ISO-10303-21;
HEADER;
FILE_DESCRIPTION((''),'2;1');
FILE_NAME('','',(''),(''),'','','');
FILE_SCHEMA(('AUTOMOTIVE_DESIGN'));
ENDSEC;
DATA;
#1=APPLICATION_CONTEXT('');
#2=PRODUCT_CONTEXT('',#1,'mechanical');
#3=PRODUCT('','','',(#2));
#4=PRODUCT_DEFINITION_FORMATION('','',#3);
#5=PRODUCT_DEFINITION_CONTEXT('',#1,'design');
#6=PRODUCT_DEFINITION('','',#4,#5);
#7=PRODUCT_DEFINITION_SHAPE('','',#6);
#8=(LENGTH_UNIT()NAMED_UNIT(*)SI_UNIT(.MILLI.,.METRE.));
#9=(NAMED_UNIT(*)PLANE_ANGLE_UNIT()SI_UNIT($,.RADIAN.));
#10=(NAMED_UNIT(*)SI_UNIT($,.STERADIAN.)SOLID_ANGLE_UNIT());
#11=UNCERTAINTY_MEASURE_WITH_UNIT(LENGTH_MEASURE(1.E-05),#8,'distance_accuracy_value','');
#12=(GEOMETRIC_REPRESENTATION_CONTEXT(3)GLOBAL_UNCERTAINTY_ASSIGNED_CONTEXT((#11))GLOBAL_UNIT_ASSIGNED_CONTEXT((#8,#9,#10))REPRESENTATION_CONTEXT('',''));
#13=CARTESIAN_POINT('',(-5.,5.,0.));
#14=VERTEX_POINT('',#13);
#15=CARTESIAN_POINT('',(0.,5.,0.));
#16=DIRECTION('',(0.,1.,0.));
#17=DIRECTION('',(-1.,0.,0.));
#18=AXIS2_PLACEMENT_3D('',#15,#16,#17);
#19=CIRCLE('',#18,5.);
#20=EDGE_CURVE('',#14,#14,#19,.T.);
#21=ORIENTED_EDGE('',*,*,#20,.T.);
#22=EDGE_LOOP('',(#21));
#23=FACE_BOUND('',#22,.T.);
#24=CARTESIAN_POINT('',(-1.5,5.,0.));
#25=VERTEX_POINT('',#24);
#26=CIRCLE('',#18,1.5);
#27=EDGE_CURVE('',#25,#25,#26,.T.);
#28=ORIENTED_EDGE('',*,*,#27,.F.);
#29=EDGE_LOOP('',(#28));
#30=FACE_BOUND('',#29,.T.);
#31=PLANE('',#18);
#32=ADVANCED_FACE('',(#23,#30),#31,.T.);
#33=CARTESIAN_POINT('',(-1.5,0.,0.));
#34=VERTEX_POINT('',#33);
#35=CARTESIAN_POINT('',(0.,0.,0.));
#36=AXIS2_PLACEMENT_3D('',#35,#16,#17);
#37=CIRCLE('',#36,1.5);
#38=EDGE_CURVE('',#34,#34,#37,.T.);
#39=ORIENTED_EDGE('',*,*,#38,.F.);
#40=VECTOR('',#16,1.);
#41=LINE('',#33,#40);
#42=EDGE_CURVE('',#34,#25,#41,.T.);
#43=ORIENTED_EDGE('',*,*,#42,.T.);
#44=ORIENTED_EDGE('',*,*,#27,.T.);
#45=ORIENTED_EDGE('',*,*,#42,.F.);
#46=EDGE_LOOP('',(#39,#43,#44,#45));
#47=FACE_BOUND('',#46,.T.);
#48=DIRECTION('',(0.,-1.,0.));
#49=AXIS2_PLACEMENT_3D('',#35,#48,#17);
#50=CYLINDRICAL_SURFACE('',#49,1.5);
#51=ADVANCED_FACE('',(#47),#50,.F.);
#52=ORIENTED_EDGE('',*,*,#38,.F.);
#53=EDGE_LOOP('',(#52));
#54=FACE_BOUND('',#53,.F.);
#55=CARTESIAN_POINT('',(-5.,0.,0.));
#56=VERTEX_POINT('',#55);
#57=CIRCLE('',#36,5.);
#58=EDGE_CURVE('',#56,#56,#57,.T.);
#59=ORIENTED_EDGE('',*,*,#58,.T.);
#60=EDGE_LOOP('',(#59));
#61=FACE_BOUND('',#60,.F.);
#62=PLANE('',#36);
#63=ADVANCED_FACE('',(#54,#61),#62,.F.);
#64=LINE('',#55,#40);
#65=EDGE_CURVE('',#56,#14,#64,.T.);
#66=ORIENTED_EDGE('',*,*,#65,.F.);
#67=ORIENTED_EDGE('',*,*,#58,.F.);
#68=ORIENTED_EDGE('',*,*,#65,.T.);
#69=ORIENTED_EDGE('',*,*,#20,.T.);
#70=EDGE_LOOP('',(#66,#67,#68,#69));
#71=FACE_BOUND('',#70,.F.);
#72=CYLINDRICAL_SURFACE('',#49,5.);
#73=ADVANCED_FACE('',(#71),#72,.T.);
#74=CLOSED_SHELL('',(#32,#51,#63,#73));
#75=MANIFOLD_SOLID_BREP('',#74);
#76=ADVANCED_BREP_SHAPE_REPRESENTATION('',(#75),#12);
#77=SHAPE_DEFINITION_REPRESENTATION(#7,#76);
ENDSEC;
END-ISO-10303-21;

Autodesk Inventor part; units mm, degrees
ref_plane "YZ Plane" through (0, 0, 0) normal (1, 0, 0) x (0, 1, 0)
ref_plane "XZ Plane" through (0, 0, 0) normal (0, 1, 0) x (-1, 0, 0)
ref_plane "XY Plane" through (0, 0, 0) normal (0, 0, 1) x (1, 0, 0)
sketch "Sketch1" plane through (0, 0, 0) normal (0, 1, 0) x (-1, 0, 0)
  circle A0 centre (0, 0) radius 5
  circle A1 centre (0, 0) radius 1.5
  dimension "d0" = 10
  dimension "d1" = 3
extrude "Extrusion1" add sketch "Sketch1" along normal blind 5
thread "Thread1" size "M3x0.5" class "6H" standard "ANSI Metric M Profile" length 14
properties part number "thread2_platform"
